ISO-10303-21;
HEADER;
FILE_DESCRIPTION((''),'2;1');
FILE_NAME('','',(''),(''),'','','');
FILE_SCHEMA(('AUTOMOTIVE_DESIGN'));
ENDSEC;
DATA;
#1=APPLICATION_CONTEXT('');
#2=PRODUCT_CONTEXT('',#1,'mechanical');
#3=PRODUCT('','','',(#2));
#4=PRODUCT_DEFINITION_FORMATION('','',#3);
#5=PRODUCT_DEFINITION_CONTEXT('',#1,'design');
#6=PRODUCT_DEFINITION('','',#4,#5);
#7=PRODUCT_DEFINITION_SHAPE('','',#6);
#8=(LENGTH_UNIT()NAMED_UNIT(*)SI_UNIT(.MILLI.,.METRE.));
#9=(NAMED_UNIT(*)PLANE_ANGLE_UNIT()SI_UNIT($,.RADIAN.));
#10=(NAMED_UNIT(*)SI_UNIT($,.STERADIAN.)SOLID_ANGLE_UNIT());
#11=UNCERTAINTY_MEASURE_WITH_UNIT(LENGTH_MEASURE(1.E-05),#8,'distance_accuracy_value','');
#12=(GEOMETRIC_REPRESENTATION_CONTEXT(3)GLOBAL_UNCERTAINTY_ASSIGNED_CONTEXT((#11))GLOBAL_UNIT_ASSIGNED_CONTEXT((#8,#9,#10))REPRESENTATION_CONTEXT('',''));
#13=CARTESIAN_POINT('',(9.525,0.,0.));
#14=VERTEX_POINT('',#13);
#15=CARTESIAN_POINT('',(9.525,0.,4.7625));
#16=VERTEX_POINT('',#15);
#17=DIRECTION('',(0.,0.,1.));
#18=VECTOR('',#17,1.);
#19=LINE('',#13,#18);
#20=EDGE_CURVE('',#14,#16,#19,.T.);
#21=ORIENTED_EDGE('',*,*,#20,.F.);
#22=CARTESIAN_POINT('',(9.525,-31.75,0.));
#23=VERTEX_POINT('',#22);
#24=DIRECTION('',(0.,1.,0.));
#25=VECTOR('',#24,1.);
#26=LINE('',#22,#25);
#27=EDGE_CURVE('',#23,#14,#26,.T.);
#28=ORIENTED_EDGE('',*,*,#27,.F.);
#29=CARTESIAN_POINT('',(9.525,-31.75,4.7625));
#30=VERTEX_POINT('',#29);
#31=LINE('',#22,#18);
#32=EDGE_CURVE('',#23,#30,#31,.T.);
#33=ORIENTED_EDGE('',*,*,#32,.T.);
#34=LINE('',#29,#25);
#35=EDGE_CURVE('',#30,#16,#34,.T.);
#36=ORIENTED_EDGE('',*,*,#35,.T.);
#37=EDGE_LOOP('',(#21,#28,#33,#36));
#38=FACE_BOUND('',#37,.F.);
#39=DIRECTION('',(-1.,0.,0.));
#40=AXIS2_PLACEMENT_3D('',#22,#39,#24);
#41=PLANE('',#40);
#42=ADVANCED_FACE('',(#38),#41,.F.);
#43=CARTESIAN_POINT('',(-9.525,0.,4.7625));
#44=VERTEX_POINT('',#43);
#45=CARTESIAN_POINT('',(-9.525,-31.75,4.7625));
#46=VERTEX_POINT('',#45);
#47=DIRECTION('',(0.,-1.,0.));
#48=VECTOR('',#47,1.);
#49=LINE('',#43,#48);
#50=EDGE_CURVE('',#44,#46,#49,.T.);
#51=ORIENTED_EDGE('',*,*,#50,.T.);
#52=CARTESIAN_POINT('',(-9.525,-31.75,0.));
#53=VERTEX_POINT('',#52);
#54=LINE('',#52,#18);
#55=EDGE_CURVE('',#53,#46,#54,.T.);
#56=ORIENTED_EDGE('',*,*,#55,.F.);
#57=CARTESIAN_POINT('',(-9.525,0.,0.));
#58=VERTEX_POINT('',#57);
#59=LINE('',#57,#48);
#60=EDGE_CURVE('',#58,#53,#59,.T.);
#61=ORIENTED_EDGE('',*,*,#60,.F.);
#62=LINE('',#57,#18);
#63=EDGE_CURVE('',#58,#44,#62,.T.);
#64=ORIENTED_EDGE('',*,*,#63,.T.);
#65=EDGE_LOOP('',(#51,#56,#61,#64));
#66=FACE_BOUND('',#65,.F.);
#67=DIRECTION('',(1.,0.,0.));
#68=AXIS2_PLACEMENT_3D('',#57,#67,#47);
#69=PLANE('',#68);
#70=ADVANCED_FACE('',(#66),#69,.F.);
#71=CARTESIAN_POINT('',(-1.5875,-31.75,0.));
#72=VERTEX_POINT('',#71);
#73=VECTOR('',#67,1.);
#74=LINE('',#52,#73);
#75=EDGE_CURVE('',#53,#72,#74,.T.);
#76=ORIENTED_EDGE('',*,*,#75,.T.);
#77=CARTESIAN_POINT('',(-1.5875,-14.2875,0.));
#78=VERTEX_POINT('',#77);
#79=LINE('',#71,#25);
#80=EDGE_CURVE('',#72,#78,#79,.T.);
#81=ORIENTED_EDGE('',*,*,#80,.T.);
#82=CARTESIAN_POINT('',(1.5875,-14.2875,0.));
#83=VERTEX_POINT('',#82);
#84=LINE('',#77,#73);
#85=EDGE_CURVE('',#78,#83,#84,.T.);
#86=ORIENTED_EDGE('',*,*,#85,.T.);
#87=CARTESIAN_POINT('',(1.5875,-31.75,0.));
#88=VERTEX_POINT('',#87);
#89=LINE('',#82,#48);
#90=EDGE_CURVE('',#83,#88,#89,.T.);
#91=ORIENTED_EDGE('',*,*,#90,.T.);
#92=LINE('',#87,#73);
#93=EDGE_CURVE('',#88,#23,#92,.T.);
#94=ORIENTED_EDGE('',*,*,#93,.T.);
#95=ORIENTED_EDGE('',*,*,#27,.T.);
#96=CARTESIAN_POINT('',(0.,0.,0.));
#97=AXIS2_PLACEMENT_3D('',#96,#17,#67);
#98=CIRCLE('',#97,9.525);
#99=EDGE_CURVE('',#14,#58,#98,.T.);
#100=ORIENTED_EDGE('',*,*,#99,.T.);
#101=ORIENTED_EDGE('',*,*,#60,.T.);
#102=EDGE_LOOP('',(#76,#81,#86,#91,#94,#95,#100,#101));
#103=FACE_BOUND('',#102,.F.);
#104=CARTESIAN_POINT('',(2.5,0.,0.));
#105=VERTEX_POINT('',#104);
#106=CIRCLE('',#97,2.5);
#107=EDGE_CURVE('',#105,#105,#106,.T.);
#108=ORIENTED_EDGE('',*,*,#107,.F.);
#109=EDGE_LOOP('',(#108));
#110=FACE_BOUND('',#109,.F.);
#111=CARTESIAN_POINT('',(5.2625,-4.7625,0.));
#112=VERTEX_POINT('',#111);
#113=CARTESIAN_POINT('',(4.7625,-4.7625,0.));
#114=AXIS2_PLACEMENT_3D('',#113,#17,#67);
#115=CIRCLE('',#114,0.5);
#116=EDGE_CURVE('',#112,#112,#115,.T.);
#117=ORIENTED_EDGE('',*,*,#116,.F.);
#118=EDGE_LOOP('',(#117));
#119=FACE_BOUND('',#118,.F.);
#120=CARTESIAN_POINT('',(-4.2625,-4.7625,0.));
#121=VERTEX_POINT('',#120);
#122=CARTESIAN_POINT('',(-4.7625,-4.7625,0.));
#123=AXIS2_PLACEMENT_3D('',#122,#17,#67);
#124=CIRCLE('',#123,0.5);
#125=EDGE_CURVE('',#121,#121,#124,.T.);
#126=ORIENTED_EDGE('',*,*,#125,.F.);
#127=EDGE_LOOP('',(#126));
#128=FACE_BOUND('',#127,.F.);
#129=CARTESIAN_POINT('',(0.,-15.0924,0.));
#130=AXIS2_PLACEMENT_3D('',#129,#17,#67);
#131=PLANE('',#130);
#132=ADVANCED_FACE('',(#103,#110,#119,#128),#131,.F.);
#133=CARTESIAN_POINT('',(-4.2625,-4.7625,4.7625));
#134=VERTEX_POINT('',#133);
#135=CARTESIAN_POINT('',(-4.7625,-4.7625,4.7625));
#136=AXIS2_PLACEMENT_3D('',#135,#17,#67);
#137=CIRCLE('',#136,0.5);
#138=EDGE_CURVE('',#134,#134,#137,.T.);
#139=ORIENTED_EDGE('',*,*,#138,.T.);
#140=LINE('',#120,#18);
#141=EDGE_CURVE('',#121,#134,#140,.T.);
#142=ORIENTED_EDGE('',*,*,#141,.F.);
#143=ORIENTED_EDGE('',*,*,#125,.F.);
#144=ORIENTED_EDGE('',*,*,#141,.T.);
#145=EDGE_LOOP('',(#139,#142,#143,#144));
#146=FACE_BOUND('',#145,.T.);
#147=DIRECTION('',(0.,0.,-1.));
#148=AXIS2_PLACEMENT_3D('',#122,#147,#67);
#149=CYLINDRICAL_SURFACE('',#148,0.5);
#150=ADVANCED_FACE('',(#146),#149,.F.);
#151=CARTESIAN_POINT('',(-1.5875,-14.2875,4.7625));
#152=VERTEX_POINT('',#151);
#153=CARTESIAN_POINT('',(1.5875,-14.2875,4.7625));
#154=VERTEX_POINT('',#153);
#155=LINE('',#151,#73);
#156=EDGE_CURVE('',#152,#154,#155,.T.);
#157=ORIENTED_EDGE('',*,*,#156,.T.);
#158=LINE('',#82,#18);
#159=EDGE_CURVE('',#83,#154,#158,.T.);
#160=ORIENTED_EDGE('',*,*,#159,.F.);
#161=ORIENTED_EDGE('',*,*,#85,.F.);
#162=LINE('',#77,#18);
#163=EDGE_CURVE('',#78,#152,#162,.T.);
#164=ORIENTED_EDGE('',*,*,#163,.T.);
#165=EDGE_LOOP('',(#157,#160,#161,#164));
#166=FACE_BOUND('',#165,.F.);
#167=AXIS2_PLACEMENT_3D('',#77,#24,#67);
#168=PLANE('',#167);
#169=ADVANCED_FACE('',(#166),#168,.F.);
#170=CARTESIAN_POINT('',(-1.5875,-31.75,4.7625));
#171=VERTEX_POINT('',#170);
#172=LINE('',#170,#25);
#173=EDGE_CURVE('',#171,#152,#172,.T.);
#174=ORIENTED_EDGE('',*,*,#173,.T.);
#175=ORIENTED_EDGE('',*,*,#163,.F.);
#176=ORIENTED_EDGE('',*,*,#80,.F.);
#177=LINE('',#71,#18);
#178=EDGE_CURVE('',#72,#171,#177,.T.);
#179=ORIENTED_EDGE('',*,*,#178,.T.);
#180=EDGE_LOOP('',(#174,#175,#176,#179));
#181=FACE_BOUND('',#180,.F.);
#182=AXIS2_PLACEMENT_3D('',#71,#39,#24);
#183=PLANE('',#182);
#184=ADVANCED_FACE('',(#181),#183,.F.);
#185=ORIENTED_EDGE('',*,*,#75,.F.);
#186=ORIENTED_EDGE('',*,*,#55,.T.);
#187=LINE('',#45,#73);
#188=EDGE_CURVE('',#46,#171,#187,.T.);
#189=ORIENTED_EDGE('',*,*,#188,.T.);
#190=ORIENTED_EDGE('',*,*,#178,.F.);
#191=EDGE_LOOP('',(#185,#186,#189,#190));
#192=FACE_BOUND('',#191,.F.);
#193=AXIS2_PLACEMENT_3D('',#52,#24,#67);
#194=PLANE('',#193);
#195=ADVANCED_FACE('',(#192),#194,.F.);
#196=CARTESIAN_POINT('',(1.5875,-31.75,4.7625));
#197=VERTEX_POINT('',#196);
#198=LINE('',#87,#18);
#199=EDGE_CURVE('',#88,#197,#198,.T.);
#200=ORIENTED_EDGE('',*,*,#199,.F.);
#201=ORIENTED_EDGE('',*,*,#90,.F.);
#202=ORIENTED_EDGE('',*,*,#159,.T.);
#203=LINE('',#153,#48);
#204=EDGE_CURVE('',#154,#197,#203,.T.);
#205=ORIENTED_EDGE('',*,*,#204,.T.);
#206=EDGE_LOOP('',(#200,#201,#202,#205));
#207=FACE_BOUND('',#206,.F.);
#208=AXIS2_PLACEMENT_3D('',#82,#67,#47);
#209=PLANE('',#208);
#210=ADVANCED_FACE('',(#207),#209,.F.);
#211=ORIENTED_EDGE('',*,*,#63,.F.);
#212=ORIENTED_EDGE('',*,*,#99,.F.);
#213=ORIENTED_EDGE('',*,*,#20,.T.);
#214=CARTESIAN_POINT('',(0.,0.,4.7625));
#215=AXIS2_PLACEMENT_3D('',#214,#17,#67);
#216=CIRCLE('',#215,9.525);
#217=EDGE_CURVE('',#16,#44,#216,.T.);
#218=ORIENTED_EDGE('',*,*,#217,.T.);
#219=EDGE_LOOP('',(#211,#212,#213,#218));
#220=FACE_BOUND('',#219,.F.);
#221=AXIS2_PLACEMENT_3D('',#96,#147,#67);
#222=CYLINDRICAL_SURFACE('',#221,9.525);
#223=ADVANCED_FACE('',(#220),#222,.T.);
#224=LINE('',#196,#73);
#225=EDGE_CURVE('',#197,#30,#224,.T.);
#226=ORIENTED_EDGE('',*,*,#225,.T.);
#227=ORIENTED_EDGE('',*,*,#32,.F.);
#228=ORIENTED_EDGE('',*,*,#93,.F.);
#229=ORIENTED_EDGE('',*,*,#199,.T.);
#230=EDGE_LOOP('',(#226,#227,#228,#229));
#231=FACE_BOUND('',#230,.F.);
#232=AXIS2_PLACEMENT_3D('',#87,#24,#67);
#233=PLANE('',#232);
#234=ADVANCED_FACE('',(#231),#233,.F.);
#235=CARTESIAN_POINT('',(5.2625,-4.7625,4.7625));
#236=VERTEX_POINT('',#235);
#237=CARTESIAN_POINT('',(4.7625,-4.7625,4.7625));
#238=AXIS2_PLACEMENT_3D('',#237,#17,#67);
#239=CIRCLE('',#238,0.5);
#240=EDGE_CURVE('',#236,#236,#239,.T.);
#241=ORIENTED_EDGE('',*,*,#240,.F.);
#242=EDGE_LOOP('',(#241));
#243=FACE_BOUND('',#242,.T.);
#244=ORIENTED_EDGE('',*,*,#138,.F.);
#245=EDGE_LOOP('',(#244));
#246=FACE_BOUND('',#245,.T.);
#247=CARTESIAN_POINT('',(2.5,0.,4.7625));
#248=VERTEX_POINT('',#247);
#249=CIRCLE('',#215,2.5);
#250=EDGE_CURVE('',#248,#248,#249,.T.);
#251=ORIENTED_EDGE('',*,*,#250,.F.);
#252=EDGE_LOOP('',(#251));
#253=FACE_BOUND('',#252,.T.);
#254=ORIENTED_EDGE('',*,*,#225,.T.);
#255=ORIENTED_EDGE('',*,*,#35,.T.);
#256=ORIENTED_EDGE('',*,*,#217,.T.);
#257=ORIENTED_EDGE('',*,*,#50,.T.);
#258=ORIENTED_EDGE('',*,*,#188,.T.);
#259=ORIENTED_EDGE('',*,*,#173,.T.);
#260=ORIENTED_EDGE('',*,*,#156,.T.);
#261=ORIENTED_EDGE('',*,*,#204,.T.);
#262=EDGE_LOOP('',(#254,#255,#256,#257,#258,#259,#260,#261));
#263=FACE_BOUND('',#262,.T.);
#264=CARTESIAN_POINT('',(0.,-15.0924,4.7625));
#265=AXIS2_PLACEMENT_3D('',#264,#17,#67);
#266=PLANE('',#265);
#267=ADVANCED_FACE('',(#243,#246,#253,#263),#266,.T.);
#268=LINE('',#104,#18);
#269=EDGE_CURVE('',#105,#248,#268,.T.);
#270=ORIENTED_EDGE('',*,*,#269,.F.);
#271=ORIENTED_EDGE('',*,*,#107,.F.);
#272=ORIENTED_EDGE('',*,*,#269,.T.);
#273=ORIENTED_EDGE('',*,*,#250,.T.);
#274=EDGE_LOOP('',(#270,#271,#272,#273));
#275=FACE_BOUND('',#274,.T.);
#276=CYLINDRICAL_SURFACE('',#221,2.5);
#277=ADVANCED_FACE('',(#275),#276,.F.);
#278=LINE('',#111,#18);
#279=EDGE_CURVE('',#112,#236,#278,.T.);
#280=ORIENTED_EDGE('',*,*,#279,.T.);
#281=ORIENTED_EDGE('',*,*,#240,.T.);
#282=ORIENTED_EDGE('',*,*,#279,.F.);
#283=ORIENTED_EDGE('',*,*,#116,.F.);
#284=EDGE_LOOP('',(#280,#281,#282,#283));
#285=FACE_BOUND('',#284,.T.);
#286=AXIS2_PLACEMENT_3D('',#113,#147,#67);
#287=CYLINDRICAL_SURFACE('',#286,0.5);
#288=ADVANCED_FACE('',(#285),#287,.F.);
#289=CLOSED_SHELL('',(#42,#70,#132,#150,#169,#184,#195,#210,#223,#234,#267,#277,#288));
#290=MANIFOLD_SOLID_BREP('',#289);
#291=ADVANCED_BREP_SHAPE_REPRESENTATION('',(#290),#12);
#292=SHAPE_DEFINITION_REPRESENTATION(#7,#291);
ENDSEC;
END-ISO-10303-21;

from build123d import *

# Parameters (mm, degrees)
F0_R     = 0.5
F0_R_2   = 2.5
F1_DEPTH = 4.7625


with BuildPart() as f1:
    # F0 (on Top) → F1 (new body)
    with BuildSketch(Plane.XY):
        with BuildLine():
            Line((9.525, -31.75), (9.525, 0))
            ThreePointArc((9.525, 0), (0, 9.525), (-9.525, 0))
            Line((-9.525, 0), (-9.525, -31.75))
            Line((-9.525, -31.75), (-1.5875, -31.75))
            Line((-1.5875, -31.75), (-1.5875, -14.2875))
            Line((-1.5875, -14.2875), (1.5875, -14.2875))
            Line((1.5875, -14.2875), (1.5875, -31.75))
            Line((1.5875, -31.75), (9.525, -31.75))
        make_face()
        with Locations((-4.7625, -4.7625)):
            Circle(F0_R, mode=Mode.SUBTRACT)
        with Locations((4.7625, -4.7625)):
            Circle(F0_R, mode=Mode.SUBTRACT)
        Circle(F0_R_2, mode=Mode.SUBTRACT)
    extrude(amount=F1_DEPTH)


solid = f1.part
